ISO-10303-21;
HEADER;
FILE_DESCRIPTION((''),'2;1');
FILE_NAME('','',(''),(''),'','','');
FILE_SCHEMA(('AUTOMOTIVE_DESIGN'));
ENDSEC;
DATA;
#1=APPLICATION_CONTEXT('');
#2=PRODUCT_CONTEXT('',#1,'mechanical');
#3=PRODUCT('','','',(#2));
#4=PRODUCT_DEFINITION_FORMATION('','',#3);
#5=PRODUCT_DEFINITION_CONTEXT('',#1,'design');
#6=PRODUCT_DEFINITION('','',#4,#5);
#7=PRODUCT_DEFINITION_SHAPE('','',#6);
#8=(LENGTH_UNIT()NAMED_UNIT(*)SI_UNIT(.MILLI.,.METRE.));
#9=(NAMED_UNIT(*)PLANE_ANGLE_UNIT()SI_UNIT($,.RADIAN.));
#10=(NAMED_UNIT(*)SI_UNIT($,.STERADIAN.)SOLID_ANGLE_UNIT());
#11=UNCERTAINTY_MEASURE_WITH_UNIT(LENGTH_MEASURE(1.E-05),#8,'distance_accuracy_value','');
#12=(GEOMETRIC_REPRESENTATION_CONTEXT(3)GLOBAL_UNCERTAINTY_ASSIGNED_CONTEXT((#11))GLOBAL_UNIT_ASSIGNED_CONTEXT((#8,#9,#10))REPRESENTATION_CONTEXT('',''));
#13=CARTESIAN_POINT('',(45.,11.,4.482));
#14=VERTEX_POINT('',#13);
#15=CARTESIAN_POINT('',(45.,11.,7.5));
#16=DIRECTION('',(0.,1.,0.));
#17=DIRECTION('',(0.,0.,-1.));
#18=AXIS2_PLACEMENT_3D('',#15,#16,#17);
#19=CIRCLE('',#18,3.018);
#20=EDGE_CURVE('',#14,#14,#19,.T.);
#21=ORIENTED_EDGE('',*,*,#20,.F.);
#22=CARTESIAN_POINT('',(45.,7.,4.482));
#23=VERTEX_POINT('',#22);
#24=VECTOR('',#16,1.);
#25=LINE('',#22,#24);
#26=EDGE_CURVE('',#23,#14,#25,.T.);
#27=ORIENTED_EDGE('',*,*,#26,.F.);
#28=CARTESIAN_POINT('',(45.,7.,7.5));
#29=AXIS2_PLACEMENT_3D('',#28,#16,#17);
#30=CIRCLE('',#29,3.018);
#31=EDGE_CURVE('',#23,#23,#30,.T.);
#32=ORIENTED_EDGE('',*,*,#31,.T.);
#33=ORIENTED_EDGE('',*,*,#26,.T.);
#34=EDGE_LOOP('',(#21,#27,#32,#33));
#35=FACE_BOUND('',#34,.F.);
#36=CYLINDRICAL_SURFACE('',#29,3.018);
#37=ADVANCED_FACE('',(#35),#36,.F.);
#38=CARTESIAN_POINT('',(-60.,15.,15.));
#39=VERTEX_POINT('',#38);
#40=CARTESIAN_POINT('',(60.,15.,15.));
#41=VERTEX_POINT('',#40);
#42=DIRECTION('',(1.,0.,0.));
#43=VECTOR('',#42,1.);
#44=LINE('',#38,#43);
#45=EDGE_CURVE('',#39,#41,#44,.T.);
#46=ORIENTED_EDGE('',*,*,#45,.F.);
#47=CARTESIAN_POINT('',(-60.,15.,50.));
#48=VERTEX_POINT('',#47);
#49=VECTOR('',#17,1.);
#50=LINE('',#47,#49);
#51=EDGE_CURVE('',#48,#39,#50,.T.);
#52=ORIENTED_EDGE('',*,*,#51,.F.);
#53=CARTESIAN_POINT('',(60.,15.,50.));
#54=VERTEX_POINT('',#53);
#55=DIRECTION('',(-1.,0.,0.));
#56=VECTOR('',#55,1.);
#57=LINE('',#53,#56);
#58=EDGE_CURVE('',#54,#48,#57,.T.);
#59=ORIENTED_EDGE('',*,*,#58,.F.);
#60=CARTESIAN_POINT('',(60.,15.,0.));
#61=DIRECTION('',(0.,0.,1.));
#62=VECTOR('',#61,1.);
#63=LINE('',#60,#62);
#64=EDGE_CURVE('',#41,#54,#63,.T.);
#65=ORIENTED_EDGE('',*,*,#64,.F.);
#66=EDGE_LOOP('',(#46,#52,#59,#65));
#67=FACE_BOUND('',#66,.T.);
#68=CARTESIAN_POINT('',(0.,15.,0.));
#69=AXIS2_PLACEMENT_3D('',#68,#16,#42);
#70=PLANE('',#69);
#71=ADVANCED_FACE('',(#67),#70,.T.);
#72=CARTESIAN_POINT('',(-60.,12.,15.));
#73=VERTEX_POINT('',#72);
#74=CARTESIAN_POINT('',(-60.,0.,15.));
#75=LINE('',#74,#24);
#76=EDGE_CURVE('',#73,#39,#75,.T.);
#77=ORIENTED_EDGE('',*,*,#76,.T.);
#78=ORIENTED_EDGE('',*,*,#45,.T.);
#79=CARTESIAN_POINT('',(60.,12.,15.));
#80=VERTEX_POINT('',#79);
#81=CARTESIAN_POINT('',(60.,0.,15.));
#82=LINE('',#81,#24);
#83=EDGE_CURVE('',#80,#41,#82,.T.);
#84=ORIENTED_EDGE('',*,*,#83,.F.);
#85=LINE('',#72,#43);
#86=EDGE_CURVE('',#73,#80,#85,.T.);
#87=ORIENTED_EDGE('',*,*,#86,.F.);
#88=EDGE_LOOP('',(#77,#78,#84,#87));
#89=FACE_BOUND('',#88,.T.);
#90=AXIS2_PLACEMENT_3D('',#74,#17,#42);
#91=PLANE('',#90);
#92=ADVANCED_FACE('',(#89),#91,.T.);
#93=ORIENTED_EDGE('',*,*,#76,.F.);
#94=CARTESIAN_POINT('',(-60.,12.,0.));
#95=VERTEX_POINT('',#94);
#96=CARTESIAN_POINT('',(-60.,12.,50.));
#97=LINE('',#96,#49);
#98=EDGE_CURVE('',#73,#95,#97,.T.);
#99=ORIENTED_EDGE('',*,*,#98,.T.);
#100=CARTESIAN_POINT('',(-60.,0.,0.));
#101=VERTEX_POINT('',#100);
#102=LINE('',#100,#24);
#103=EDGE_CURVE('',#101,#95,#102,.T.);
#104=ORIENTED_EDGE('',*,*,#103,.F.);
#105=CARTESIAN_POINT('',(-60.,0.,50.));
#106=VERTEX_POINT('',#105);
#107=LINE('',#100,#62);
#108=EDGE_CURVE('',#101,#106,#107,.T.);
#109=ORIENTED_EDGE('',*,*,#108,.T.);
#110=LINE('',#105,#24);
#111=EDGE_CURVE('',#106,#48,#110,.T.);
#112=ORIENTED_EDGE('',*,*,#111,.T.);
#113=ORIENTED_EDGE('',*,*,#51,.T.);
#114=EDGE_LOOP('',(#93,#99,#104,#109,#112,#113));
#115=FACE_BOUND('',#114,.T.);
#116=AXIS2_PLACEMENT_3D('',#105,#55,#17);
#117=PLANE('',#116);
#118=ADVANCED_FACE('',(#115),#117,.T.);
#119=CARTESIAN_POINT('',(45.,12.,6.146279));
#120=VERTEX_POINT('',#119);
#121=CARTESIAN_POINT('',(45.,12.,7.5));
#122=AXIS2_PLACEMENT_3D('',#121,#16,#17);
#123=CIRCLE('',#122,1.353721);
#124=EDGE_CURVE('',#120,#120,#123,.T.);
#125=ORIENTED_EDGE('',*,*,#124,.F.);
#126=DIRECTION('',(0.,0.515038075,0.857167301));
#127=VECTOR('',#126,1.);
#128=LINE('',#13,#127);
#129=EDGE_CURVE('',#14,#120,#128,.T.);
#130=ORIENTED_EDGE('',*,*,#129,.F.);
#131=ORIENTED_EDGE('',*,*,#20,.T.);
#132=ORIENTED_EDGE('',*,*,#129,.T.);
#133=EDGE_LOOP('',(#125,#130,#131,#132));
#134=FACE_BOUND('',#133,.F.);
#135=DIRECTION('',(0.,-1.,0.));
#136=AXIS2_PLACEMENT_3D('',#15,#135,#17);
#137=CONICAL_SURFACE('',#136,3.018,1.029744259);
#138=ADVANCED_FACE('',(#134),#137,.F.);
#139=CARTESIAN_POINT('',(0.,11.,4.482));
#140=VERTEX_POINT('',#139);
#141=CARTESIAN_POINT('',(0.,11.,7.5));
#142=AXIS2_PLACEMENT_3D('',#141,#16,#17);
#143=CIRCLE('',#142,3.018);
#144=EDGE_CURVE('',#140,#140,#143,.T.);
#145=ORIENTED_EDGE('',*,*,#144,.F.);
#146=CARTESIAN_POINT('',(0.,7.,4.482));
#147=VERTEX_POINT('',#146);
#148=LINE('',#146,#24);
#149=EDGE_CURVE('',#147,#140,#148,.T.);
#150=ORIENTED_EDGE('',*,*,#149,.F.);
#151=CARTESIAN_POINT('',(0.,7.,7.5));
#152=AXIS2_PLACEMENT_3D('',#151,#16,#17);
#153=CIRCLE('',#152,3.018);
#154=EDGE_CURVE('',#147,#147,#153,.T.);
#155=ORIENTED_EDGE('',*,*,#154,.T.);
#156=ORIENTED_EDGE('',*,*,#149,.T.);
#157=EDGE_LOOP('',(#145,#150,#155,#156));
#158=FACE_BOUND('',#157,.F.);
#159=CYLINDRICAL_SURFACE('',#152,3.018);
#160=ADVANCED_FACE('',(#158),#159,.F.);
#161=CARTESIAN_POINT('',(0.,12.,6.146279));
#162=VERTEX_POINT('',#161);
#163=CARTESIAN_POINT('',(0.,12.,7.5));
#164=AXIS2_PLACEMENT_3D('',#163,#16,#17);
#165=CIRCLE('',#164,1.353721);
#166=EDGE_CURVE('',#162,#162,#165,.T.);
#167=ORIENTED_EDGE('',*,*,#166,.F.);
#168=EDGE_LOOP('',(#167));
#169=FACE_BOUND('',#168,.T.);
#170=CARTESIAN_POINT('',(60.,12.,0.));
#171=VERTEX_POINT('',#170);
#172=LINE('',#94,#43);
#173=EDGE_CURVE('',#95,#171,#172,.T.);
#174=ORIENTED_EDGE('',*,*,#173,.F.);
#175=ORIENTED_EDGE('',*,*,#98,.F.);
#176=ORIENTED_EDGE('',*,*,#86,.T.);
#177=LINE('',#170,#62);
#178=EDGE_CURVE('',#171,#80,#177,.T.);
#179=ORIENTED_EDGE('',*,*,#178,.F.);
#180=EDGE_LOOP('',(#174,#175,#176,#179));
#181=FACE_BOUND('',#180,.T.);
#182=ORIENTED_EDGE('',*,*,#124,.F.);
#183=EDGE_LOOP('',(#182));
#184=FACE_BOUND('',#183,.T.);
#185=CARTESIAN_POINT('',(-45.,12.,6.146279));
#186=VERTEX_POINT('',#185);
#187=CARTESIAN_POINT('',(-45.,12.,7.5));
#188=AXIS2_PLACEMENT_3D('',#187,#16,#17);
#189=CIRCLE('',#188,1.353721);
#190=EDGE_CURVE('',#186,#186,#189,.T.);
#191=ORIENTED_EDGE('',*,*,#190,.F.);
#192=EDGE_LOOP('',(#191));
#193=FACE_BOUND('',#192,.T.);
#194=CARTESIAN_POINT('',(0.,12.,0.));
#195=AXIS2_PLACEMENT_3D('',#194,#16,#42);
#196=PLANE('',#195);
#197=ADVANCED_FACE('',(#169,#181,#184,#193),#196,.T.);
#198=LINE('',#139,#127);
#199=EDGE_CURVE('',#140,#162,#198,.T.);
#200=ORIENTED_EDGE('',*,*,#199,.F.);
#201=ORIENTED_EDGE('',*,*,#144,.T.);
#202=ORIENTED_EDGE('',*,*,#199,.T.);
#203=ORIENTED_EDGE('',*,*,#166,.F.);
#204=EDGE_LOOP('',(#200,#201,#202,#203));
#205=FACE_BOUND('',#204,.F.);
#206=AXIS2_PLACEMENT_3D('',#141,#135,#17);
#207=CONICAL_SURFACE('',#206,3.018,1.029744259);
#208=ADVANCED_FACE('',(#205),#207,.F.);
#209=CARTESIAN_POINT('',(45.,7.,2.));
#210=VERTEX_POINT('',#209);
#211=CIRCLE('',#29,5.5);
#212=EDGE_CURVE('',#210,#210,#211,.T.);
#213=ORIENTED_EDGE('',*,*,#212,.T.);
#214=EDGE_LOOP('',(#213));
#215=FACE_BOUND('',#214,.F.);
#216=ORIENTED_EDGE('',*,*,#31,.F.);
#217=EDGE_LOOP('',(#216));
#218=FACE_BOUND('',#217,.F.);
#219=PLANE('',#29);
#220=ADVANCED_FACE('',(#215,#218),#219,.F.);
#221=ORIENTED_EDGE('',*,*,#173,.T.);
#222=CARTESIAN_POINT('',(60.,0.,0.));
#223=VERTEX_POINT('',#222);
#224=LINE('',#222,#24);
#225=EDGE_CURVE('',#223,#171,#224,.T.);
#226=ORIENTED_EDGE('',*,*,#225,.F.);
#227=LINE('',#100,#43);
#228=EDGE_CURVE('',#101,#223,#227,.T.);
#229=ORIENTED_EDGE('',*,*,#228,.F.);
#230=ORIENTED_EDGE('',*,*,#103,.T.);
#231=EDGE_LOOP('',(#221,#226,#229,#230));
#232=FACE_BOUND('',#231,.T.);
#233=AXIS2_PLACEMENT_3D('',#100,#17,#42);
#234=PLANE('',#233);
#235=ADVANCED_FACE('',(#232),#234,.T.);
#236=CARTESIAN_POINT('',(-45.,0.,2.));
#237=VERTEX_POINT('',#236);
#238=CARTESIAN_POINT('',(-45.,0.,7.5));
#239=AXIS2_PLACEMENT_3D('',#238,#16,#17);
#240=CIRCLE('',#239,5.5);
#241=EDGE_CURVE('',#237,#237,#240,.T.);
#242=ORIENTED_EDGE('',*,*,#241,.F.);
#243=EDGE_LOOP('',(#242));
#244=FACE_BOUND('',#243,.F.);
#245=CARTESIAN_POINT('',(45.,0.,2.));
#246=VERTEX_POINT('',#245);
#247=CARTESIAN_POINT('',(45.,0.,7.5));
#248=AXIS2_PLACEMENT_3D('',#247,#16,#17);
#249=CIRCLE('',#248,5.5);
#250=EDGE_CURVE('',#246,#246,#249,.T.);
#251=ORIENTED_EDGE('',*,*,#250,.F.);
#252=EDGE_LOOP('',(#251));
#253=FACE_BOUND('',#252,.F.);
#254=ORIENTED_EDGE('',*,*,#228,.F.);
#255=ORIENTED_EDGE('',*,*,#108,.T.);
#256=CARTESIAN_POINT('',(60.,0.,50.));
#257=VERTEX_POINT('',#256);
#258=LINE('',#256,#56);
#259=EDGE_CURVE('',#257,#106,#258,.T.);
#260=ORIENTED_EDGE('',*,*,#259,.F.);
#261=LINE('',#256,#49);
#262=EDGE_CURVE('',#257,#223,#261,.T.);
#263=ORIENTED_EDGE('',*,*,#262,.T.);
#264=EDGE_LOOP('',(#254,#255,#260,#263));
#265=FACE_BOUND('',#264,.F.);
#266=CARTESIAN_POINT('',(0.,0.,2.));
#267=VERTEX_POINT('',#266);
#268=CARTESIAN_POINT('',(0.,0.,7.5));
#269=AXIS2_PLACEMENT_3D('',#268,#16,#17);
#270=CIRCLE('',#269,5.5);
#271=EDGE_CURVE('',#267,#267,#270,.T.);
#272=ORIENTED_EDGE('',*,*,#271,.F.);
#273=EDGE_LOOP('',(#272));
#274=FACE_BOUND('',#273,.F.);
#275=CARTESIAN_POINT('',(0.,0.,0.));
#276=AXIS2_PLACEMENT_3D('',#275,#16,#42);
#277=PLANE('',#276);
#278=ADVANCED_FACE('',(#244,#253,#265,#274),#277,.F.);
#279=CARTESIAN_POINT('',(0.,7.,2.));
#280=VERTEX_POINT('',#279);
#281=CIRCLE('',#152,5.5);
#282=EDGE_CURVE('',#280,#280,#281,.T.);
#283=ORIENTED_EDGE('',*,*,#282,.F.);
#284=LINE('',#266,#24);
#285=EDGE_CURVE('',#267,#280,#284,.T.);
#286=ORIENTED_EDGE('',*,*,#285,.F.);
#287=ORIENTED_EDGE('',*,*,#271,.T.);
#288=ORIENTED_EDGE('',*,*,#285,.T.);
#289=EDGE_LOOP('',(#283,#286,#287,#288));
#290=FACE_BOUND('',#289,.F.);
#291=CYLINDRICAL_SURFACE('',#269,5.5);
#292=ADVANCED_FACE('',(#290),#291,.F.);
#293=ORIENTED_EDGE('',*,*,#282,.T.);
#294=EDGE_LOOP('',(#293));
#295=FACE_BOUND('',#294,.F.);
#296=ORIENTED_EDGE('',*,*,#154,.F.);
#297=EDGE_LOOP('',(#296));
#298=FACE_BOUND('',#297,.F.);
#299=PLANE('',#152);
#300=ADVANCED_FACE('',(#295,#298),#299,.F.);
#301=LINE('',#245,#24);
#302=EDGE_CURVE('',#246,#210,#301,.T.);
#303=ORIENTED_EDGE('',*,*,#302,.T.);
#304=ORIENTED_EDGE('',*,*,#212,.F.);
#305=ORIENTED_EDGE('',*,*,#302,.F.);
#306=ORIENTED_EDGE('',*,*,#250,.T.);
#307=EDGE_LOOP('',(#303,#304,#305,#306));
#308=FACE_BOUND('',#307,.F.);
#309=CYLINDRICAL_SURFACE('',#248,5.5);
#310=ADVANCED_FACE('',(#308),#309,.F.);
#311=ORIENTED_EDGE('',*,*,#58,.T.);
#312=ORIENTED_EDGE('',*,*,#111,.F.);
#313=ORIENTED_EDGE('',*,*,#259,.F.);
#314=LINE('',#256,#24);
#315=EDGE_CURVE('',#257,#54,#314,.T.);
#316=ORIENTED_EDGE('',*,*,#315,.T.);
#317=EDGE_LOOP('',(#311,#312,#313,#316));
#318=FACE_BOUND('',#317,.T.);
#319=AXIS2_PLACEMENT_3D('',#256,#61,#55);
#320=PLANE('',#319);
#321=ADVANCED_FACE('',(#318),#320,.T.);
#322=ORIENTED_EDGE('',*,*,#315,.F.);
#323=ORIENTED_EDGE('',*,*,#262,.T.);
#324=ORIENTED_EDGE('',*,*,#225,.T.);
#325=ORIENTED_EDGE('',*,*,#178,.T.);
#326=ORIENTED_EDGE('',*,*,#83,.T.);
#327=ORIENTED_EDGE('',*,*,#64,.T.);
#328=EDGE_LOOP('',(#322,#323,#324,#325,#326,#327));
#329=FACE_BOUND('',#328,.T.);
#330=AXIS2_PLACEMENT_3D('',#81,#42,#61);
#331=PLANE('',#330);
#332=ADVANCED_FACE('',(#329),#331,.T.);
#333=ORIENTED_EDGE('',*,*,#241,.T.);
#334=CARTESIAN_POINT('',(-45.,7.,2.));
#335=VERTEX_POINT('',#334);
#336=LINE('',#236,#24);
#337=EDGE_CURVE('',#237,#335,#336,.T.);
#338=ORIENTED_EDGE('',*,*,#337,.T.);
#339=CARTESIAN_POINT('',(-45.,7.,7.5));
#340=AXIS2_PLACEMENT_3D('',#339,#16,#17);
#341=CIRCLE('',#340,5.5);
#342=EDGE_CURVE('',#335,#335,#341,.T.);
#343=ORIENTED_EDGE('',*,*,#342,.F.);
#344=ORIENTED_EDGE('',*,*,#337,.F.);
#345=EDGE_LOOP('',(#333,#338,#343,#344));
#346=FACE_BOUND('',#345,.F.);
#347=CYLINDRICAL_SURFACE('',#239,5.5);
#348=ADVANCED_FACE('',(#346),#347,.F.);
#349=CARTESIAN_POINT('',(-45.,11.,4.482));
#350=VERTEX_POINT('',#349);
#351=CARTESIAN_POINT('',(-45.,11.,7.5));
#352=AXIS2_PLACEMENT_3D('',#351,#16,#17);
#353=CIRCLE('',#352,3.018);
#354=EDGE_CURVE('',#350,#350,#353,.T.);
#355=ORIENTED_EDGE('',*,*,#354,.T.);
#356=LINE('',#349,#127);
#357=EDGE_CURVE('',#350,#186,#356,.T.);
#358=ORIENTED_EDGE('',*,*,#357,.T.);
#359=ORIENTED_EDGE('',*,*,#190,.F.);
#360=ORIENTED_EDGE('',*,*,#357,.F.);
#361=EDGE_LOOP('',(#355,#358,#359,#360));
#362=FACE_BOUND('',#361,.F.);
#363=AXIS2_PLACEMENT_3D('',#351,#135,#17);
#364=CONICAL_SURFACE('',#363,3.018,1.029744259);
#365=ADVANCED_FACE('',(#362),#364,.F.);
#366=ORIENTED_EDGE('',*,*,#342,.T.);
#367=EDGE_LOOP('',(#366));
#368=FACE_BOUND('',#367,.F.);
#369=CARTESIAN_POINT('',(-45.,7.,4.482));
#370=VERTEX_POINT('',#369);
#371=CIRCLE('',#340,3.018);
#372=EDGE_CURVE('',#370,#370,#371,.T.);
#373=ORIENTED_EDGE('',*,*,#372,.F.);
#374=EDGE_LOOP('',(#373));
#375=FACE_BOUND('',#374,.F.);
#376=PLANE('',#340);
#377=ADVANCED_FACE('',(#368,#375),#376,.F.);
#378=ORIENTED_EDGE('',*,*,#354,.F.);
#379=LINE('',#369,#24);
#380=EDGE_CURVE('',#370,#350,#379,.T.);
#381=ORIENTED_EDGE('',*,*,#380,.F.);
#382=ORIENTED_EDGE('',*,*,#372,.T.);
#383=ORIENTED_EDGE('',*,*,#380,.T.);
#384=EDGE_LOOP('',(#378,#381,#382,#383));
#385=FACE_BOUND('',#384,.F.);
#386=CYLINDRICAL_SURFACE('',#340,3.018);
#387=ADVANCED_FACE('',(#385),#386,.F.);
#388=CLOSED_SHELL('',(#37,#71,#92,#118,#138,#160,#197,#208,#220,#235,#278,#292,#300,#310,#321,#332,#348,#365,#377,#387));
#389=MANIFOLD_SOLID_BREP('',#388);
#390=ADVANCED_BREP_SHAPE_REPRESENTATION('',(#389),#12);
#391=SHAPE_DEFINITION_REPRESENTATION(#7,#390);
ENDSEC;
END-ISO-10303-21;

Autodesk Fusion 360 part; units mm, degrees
sketch "Sketch1" plane through (0, 0, 0) normal (0, 1, 0) x (1, 0, 0)
  line L0 (-60, 0) -> (60, 0)
  line L1 (60, 0) -> (60, -50)
  line L2 (60, -50) -> (-60, -50)
  line L3 (-60, -50) -> (-60, 0)
  line L4 (-60, -15) -> (60, -15)
  dimension "d1" = 120
  dimension "d2" = 50
  dimension "d3" = 15
extrude "Extrude1" add sketch "Sketch1" along normal blind 15 contours L1 L2 L3 L4
extrude "Extrude2" add sketch "Sketch1" along normal blind 12 contours L0 L1 L3 L4
sketch "Sketch4" plane through (0, 0, 0) normal (0, -1, 0) x (1, 0, 0)
  line L0 (-60, 0) -> (-60, 15)
  line L1 (-60, 7.5) -> (-45, 7.5)
  line L2 (-60, 0) -> (60, 0)
  line L3 (-45, 7.5) -> (0, 7.5)
  line L4 (0, 7.5) -> (45, 7.5)
  line L5 (60, 15) -> (60, 0)
  line L6 (45, 7.5) -> (60, 7.5)
  dimension "d9" = 15
  dimension "d10" = 7.5
  dimension "d11" = 45
  dimension "d12" = 45
hole "Hole1" at (-45, 0, 7.5) at (45, 0, 7.5) at (0, 0, 7.5) direction (0, 1, 0) diameter 6.036 depth 11 tip angle 118 counterbore diameter 11 counterbore depth 7
